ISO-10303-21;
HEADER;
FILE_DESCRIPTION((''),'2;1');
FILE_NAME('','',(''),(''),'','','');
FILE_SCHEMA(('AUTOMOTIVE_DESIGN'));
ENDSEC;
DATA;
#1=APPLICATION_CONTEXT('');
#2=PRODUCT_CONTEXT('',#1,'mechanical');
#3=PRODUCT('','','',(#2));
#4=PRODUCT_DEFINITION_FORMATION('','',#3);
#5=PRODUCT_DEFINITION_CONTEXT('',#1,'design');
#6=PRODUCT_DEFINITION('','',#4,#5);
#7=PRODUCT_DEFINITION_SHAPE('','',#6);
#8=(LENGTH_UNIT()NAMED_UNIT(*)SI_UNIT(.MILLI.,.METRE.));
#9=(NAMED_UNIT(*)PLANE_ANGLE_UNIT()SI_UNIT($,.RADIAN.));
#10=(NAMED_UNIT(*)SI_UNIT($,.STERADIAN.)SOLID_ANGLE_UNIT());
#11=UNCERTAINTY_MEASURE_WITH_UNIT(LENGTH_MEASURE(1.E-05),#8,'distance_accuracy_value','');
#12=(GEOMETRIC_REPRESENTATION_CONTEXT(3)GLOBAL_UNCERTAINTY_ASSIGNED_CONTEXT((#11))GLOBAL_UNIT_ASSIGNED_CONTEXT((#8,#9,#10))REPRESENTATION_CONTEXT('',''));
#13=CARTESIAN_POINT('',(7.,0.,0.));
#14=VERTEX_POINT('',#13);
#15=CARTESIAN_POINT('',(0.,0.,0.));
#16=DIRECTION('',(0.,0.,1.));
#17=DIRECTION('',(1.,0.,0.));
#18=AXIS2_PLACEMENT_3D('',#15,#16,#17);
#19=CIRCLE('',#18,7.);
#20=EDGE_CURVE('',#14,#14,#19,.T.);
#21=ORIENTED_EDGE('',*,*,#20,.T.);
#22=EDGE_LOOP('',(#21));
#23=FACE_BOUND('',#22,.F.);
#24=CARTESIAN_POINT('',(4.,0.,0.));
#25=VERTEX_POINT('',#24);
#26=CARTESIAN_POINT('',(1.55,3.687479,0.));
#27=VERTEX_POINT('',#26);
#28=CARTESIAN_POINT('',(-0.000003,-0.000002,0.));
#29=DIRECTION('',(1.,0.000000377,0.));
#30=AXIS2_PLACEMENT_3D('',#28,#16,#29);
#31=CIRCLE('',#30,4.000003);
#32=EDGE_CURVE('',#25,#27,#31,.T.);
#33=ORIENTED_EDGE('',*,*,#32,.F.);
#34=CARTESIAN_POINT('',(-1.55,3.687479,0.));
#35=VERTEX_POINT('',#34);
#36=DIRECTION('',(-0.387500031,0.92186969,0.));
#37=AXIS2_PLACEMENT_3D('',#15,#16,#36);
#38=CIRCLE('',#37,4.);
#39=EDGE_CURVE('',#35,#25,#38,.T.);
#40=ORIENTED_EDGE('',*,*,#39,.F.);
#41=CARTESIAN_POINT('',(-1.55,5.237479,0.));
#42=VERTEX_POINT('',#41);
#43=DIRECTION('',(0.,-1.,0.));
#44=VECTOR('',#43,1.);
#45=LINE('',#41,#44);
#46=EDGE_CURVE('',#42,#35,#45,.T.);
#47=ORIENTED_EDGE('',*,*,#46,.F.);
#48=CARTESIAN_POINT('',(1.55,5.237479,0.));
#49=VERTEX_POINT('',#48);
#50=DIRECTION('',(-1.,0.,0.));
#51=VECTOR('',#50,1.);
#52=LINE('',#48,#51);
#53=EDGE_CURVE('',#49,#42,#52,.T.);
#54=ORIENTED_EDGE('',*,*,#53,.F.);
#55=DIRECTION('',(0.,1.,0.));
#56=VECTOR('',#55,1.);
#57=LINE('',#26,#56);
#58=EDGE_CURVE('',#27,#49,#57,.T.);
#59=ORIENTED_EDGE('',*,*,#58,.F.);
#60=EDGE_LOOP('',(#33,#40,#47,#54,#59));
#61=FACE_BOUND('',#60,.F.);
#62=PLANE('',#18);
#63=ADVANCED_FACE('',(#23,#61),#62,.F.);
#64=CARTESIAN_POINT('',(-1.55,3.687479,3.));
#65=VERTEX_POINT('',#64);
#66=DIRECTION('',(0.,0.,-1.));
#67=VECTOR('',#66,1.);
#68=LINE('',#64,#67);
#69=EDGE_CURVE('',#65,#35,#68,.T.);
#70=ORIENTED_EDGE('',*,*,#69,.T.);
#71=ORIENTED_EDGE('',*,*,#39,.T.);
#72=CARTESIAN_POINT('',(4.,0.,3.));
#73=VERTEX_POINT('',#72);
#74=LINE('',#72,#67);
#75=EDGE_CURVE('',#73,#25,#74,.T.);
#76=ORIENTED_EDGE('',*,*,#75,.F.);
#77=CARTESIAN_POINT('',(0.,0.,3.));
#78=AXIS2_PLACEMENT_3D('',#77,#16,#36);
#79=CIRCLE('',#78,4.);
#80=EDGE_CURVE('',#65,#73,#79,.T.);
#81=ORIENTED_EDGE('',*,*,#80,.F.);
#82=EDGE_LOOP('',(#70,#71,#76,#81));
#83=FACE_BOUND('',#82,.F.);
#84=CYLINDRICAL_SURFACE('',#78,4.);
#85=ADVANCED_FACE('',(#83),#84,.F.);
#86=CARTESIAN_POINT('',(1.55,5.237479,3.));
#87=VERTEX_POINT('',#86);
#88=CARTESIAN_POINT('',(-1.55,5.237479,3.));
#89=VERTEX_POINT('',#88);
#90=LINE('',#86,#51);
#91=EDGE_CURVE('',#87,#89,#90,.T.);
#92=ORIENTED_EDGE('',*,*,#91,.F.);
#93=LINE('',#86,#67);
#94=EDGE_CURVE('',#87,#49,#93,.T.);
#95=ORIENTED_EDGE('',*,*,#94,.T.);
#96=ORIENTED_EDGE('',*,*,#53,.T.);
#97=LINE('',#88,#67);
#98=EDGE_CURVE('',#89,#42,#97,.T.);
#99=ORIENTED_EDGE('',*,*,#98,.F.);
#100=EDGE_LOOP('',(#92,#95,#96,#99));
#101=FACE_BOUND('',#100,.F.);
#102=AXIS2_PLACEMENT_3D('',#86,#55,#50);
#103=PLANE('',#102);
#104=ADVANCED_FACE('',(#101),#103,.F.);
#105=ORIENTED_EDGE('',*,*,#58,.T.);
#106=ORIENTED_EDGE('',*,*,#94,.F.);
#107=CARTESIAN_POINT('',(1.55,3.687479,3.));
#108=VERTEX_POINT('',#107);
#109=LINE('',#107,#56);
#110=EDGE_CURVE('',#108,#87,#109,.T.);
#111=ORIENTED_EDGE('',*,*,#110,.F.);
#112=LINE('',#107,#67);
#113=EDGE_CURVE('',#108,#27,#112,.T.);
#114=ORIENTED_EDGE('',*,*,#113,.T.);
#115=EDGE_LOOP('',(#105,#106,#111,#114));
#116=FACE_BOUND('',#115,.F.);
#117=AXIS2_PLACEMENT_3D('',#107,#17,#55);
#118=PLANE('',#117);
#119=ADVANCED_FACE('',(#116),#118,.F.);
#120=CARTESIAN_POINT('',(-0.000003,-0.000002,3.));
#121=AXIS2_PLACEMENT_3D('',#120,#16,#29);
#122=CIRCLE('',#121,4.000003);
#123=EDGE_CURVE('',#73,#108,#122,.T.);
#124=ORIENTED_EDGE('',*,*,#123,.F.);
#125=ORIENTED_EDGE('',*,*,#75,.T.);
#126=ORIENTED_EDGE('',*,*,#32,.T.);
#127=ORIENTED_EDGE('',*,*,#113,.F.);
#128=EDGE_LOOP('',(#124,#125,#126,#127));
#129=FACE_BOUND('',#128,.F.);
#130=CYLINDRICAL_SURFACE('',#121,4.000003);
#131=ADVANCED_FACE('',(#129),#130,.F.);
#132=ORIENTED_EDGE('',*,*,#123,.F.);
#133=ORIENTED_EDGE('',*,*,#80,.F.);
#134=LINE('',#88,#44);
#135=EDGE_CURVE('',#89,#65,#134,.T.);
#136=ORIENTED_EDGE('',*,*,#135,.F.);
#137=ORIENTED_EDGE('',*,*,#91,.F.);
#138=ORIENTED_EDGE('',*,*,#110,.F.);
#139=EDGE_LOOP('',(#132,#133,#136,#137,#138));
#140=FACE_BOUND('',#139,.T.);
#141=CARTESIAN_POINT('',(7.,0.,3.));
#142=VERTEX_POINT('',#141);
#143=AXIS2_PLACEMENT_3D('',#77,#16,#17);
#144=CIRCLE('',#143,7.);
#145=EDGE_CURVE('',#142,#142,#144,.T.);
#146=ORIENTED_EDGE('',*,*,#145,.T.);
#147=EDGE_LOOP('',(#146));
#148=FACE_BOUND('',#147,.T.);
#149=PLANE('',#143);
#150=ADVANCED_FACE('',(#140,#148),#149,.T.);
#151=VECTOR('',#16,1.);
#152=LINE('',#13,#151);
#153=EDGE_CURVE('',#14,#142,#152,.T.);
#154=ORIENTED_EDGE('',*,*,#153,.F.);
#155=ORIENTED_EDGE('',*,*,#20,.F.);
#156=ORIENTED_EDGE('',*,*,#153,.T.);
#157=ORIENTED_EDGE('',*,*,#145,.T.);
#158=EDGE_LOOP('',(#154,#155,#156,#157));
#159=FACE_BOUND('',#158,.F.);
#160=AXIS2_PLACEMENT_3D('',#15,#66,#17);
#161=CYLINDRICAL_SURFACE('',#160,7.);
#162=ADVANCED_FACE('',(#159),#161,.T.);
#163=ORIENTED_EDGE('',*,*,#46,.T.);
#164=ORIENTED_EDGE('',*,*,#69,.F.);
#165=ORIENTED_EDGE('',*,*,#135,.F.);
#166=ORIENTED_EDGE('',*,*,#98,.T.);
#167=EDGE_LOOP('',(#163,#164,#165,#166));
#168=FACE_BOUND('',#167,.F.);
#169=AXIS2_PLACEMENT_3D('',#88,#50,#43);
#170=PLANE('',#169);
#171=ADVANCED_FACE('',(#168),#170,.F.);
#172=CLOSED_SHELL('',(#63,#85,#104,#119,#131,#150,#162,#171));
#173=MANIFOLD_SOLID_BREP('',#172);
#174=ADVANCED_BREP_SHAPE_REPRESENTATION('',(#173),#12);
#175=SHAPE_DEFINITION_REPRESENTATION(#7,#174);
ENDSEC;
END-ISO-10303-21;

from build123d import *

# Parameters (mm, degrees)
F0_R     = 7
F1_DEPTH = 3
F3_DEPTH = 3


with BuildPart() as f1:
    # F0 (on Top) → F1 (new body)
    with BuildSketch(Plane.XY):
        Circle(F0_R)
    extrude(amount=F1_DEPTH)

    # F2 (on face) → F3 (cut, through all)
    with BuildSketch(Plane.XY.offset(3)):
        with BuildLine():
            ThreePointArc((-1.55, 3.687479), (-2.213594, -3.331666), (4, 0))
            ThreePointArc((4, 0), (3.331666, 2.213594), (1.55, 3.687479))
            ThreePointArc((1.55, 3.687479), (0, 4), (-1.55, 3.687479))
        make_face()
        with BuildLine():
            ThreePointArc((-1.55, 3.687479), (0, 4), (1.55, 3.687479))
            Line((1.55, 3.687479), (1.55, 5.237479))
            Line((1.55, 5.237479), (0, 5.237479))
            Line((0, 5.237479), (-1.55, 5.237479))
            Line((-1.55, 5.237479), (-1.55, 3.687479))
        make_face()
    extrude(amount=-F3_DEPTH, mode=Mode.SUBTRACT)


solid = f1.part
